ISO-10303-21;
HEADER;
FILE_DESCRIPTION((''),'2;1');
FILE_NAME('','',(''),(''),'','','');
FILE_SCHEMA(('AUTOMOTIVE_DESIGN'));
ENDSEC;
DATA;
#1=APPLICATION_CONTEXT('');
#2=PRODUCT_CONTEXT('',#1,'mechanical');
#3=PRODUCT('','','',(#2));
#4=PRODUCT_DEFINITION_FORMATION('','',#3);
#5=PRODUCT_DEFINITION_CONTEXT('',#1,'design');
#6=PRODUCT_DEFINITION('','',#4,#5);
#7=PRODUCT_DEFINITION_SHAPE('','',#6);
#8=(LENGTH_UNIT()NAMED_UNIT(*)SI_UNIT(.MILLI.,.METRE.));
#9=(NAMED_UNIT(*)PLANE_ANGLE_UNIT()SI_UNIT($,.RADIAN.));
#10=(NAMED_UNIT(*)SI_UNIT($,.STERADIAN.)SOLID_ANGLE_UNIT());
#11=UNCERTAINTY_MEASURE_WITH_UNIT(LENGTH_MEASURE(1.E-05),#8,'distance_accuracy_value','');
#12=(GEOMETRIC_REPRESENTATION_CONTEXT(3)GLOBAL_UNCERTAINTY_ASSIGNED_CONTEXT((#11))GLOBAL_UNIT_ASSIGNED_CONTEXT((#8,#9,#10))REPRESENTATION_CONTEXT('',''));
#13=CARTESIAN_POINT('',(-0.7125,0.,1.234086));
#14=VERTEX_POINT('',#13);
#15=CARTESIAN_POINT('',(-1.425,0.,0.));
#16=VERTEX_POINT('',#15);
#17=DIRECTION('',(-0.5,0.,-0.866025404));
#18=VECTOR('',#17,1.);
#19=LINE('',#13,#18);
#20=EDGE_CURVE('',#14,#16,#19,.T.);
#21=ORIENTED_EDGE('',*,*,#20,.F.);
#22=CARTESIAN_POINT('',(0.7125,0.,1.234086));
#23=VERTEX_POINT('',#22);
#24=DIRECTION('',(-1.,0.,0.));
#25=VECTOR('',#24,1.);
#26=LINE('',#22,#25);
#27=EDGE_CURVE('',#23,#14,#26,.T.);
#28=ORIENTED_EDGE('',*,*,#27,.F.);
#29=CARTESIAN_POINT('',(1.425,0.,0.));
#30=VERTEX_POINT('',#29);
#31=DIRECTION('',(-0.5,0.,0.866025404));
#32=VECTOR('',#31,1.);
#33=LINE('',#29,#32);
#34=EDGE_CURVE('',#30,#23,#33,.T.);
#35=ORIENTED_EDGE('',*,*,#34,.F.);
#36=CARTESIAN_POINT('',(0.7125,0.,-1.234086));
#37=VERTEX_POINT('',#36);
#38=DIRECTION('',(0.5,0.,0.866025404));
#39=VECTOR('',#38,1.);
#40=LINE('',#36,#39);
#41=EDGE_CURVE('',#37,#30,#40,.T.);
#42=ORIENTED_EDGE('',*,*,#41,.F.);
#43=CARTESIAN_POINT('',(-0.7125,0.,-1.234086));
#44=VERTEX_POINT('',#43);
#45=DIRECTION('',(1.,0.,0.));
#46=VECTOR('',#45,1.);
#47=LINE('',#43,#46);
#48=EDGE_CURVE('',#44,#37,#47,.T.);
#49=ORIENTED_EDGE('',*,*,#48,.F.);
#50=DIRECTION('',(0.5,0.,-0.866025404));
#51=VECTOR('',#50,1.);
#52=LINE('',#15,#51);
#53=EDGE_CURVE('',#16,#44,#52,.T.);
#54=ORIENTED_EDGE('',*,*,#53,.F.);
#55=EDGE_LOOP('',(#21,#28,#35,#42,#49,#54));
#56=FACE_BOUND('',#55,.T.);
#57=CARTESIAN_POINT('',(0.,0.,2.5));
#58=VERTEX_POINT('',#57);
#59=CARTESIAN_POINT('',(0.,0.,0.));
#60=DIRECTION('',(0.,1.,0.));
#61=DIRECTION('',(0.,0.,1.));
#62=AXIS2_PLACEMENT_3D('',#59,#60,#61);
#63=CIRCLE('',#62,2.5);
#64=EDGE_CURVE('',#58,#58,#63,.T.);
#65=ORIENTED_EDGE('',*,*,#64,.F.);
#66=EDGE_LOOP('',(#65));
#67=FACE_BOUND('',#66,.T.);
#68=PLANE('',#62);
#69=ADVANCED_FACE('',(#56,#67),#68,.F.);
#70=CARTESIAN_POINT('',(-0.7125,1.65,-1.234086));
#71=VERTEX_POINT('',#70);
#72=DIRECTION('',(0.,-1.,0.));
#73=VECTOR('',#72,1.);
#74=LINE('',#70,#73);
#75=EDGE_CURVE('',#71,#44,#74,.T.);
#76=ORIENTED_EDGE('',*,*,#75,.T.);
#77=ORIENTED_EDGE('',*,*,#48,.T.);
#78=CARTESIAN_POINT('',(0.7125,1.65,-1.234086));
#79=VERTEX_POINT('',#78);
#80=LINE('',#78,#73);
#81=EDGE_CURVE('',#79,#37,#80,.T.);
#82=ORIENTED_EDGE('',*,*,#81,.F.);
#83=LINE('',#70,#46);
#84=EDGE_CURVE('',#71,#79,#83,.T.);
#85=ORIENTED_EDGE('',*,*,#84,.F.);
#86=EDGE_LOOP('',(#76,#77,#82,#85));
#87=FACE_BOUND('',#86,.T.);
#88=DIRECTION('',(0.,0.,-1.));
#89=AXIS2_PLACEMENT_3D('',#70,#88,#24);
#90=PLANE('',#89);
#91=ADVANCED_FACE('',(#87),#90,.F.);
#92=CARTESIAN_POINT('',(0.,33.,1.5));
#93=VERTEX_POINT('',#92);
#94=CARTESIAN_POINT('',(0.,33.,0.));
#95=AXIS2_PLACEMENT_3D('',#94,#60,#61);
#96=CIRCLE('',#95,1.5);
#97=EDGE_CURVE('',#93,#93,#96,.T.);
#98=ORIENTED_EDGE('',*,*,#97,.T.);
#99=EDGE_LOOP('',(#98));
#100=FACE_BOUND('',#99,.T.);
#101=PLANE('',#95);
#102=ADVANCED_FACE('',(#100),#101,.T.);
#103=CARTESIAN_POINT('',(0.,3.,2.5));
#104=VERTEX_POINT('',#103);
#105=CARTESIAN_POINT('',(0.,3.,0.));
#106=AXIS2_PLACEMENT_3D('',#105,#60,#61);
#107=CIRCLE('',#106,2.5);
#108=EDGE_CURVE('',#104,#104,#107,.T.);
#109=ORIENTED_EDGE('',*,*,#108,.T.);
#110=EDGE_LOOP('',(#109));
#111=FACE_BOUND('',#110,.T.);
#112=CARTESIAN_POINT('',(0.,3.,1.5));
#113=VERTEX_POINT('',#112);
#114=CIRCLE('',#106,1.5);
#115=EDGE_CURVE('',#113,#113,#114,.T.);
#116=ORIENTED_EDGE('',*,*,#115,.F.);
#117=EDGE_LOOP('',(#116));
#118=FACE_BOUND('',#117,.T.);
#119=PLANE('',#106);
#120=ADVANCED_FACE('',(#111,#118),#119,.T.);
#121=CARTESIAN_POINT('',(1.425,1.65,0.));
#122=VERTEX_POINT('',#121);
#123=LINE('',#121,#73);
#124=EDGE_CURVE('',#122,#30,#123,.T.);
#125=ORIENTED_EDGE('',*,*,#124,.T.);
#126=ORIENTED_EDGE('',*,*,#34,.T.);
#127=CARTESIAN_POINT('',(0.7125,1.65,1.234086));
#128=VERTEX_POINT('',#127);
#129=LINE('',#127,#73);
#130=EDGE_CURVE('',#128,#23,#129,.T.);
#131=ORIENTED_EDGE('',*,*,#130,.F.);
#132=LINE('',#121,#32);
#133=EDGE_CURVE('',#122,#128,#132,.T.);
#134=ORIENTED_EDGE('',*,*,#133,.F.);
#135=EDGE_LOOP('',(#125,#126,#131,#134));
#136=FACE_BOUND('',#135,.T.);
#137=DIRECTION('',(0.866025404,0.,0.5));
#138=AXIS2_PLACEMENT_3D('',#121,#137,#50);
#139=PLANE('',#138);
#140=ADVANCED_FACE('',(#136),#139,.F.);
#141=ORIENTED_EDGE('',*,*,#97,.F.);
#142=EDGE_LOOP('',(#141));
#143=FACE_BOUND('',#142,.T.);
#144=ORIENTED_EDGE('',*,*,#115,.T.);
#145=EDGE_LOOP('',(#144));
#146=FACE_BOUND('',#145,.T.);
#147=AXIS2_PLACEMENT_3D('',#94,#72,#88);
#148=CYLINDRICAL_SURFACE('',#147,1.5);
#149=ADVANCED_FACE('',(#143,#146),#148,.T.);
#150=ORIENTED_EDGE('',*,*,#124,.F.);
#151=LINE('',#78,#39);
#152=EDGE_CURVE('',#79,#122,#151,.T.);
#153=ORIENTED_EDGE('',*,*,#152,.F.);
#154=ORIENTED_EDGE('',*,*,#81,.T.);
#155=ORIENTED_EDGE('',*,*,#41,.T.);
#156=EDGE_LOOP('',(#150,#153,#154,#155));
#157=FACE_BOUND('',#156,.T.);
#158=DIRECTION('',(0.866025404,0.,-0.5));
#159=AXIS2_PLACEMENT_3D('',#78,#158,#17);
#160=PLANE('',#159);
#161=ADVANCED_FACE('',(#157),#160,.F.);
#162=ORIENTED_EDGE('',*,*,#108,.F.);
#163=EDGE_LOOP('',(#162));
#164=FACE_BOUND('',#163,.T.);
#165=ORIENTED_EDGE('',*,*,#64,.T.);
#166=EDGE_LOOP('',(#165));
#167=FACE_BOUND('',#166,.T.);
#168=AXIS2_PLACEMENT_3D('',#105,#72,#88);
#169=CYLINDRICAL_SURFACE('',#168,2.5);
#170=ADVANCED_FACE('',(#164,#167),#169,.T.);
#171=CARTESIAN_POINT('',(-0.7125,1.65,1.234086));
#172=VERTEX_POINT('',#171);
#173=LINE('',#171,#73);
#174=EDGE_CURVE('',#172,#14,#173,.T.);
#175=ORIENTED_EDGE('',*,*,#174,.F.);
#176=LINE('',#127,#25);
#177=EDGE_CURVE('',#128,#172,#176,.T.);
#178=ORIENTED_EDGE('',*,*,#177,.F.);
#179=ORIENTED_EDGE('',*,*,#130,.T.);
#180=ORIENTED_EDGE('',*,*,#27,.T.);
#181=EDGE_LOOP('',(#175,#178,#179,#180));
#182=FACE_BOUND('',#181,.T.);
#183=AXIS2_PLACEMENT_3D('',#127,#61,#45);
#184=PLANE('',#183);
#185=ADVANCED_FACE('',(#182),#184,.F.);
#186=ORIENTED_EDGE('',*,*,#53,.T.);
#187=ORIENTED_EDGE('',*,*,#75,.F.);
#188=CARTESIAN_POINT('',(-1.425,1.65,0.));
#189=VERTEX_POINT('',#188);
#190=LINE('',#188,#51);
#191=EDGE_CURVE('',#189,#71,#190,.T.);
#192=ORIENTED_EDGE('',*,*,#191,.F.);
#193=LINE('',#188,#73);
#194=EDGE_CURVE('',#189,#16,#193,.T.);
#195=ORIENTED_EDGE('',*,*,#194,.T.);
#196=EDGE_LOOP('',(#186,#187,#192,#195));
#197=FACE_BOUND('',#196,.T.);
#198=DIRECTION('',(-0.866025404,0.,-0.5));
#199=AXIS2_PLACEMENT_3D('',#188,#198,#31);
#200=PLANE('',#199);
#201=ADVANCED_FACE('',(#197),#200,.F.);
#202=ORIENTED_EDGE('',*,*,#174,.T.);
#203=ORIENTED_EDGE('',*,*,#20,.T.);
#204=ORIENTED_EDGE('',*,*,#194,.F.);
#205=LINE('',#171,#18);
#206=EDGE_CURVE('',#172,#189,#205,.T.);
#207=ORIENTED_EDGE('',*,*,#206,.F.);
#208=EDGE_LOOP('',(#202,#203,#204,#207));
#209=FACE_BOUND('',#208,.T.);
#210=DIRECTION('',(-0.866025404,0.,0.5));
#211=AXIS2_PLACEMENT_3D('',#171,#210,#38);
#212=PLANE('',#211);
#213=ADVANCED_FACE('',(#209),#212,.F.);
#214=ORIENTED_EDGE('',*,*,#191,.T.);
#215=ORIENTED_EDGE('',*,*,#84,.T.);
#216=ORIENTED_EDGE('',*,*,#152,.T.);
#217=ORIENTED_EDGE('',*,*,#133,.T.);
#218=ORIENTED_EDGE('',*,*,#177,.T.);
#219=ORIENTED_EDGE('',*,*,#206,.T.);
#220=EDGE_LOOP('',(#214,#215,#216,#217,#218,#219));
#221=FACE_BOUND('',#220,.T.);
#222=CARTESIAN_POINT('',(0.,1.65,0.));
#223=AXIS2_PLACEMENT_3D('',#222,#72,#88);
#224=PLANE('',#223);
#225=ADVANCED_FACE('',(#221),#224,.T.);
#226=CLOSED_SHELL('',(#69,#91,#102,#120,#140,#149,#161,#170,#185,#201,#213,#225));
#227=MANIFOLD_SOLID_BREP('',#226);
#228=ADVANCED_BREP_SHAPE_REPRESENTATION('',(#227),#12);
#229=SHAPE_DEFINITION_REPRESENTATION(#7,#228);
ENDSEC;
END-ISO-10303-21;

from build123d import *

# Parameters (mm, degrees)
SKETCH_1_R          = 2.5
EXTRUDE_1_DEPTH     = 3
SKETCH_2_R          = 1.5
EXTRUDE_2_DEPTH     = 30
CUT_EXTRUDE_1_DEPTH = 1.65


with BuildPart() as part:
    # 草图1 → 凸台-拉伸1 (new body)
    with BuildSketch(Plane(origin=(0, 0, 0), x_dir=(1, 0, 0), z_dir=(0, 1, 0))):
        Circle(SKETCH_1_R)
    extrude(amount=EXTRUDE_1_DEPTH)

    # 草图2 → 凸台-拉伸2 (add)
    with BuildSketch(Plane(origin=(0, 3, 0), x_dir=(1, 0, 0), z_dir=(0, 1, 0))):
        Circle(SKETCH_2_R)
    extrude(amount=EXTRUDE_2_DEPTH)

    # 草图3 → 切除-拉伸1 (cut)
    with BuildSketch(Plane.XZ):
        Polygon((1.425, 0), (0.7125, 1.2340862), (-0.7125, 1.2340862), (-1.425, 0), (-0.7125, -1.2340862), (0.7125, -1.2340862), align=None)
    extrude(amount=-CUT_EXTRUDE_1_DEPTH, mode=Mode.SUBTRACT)


solid = part.part
